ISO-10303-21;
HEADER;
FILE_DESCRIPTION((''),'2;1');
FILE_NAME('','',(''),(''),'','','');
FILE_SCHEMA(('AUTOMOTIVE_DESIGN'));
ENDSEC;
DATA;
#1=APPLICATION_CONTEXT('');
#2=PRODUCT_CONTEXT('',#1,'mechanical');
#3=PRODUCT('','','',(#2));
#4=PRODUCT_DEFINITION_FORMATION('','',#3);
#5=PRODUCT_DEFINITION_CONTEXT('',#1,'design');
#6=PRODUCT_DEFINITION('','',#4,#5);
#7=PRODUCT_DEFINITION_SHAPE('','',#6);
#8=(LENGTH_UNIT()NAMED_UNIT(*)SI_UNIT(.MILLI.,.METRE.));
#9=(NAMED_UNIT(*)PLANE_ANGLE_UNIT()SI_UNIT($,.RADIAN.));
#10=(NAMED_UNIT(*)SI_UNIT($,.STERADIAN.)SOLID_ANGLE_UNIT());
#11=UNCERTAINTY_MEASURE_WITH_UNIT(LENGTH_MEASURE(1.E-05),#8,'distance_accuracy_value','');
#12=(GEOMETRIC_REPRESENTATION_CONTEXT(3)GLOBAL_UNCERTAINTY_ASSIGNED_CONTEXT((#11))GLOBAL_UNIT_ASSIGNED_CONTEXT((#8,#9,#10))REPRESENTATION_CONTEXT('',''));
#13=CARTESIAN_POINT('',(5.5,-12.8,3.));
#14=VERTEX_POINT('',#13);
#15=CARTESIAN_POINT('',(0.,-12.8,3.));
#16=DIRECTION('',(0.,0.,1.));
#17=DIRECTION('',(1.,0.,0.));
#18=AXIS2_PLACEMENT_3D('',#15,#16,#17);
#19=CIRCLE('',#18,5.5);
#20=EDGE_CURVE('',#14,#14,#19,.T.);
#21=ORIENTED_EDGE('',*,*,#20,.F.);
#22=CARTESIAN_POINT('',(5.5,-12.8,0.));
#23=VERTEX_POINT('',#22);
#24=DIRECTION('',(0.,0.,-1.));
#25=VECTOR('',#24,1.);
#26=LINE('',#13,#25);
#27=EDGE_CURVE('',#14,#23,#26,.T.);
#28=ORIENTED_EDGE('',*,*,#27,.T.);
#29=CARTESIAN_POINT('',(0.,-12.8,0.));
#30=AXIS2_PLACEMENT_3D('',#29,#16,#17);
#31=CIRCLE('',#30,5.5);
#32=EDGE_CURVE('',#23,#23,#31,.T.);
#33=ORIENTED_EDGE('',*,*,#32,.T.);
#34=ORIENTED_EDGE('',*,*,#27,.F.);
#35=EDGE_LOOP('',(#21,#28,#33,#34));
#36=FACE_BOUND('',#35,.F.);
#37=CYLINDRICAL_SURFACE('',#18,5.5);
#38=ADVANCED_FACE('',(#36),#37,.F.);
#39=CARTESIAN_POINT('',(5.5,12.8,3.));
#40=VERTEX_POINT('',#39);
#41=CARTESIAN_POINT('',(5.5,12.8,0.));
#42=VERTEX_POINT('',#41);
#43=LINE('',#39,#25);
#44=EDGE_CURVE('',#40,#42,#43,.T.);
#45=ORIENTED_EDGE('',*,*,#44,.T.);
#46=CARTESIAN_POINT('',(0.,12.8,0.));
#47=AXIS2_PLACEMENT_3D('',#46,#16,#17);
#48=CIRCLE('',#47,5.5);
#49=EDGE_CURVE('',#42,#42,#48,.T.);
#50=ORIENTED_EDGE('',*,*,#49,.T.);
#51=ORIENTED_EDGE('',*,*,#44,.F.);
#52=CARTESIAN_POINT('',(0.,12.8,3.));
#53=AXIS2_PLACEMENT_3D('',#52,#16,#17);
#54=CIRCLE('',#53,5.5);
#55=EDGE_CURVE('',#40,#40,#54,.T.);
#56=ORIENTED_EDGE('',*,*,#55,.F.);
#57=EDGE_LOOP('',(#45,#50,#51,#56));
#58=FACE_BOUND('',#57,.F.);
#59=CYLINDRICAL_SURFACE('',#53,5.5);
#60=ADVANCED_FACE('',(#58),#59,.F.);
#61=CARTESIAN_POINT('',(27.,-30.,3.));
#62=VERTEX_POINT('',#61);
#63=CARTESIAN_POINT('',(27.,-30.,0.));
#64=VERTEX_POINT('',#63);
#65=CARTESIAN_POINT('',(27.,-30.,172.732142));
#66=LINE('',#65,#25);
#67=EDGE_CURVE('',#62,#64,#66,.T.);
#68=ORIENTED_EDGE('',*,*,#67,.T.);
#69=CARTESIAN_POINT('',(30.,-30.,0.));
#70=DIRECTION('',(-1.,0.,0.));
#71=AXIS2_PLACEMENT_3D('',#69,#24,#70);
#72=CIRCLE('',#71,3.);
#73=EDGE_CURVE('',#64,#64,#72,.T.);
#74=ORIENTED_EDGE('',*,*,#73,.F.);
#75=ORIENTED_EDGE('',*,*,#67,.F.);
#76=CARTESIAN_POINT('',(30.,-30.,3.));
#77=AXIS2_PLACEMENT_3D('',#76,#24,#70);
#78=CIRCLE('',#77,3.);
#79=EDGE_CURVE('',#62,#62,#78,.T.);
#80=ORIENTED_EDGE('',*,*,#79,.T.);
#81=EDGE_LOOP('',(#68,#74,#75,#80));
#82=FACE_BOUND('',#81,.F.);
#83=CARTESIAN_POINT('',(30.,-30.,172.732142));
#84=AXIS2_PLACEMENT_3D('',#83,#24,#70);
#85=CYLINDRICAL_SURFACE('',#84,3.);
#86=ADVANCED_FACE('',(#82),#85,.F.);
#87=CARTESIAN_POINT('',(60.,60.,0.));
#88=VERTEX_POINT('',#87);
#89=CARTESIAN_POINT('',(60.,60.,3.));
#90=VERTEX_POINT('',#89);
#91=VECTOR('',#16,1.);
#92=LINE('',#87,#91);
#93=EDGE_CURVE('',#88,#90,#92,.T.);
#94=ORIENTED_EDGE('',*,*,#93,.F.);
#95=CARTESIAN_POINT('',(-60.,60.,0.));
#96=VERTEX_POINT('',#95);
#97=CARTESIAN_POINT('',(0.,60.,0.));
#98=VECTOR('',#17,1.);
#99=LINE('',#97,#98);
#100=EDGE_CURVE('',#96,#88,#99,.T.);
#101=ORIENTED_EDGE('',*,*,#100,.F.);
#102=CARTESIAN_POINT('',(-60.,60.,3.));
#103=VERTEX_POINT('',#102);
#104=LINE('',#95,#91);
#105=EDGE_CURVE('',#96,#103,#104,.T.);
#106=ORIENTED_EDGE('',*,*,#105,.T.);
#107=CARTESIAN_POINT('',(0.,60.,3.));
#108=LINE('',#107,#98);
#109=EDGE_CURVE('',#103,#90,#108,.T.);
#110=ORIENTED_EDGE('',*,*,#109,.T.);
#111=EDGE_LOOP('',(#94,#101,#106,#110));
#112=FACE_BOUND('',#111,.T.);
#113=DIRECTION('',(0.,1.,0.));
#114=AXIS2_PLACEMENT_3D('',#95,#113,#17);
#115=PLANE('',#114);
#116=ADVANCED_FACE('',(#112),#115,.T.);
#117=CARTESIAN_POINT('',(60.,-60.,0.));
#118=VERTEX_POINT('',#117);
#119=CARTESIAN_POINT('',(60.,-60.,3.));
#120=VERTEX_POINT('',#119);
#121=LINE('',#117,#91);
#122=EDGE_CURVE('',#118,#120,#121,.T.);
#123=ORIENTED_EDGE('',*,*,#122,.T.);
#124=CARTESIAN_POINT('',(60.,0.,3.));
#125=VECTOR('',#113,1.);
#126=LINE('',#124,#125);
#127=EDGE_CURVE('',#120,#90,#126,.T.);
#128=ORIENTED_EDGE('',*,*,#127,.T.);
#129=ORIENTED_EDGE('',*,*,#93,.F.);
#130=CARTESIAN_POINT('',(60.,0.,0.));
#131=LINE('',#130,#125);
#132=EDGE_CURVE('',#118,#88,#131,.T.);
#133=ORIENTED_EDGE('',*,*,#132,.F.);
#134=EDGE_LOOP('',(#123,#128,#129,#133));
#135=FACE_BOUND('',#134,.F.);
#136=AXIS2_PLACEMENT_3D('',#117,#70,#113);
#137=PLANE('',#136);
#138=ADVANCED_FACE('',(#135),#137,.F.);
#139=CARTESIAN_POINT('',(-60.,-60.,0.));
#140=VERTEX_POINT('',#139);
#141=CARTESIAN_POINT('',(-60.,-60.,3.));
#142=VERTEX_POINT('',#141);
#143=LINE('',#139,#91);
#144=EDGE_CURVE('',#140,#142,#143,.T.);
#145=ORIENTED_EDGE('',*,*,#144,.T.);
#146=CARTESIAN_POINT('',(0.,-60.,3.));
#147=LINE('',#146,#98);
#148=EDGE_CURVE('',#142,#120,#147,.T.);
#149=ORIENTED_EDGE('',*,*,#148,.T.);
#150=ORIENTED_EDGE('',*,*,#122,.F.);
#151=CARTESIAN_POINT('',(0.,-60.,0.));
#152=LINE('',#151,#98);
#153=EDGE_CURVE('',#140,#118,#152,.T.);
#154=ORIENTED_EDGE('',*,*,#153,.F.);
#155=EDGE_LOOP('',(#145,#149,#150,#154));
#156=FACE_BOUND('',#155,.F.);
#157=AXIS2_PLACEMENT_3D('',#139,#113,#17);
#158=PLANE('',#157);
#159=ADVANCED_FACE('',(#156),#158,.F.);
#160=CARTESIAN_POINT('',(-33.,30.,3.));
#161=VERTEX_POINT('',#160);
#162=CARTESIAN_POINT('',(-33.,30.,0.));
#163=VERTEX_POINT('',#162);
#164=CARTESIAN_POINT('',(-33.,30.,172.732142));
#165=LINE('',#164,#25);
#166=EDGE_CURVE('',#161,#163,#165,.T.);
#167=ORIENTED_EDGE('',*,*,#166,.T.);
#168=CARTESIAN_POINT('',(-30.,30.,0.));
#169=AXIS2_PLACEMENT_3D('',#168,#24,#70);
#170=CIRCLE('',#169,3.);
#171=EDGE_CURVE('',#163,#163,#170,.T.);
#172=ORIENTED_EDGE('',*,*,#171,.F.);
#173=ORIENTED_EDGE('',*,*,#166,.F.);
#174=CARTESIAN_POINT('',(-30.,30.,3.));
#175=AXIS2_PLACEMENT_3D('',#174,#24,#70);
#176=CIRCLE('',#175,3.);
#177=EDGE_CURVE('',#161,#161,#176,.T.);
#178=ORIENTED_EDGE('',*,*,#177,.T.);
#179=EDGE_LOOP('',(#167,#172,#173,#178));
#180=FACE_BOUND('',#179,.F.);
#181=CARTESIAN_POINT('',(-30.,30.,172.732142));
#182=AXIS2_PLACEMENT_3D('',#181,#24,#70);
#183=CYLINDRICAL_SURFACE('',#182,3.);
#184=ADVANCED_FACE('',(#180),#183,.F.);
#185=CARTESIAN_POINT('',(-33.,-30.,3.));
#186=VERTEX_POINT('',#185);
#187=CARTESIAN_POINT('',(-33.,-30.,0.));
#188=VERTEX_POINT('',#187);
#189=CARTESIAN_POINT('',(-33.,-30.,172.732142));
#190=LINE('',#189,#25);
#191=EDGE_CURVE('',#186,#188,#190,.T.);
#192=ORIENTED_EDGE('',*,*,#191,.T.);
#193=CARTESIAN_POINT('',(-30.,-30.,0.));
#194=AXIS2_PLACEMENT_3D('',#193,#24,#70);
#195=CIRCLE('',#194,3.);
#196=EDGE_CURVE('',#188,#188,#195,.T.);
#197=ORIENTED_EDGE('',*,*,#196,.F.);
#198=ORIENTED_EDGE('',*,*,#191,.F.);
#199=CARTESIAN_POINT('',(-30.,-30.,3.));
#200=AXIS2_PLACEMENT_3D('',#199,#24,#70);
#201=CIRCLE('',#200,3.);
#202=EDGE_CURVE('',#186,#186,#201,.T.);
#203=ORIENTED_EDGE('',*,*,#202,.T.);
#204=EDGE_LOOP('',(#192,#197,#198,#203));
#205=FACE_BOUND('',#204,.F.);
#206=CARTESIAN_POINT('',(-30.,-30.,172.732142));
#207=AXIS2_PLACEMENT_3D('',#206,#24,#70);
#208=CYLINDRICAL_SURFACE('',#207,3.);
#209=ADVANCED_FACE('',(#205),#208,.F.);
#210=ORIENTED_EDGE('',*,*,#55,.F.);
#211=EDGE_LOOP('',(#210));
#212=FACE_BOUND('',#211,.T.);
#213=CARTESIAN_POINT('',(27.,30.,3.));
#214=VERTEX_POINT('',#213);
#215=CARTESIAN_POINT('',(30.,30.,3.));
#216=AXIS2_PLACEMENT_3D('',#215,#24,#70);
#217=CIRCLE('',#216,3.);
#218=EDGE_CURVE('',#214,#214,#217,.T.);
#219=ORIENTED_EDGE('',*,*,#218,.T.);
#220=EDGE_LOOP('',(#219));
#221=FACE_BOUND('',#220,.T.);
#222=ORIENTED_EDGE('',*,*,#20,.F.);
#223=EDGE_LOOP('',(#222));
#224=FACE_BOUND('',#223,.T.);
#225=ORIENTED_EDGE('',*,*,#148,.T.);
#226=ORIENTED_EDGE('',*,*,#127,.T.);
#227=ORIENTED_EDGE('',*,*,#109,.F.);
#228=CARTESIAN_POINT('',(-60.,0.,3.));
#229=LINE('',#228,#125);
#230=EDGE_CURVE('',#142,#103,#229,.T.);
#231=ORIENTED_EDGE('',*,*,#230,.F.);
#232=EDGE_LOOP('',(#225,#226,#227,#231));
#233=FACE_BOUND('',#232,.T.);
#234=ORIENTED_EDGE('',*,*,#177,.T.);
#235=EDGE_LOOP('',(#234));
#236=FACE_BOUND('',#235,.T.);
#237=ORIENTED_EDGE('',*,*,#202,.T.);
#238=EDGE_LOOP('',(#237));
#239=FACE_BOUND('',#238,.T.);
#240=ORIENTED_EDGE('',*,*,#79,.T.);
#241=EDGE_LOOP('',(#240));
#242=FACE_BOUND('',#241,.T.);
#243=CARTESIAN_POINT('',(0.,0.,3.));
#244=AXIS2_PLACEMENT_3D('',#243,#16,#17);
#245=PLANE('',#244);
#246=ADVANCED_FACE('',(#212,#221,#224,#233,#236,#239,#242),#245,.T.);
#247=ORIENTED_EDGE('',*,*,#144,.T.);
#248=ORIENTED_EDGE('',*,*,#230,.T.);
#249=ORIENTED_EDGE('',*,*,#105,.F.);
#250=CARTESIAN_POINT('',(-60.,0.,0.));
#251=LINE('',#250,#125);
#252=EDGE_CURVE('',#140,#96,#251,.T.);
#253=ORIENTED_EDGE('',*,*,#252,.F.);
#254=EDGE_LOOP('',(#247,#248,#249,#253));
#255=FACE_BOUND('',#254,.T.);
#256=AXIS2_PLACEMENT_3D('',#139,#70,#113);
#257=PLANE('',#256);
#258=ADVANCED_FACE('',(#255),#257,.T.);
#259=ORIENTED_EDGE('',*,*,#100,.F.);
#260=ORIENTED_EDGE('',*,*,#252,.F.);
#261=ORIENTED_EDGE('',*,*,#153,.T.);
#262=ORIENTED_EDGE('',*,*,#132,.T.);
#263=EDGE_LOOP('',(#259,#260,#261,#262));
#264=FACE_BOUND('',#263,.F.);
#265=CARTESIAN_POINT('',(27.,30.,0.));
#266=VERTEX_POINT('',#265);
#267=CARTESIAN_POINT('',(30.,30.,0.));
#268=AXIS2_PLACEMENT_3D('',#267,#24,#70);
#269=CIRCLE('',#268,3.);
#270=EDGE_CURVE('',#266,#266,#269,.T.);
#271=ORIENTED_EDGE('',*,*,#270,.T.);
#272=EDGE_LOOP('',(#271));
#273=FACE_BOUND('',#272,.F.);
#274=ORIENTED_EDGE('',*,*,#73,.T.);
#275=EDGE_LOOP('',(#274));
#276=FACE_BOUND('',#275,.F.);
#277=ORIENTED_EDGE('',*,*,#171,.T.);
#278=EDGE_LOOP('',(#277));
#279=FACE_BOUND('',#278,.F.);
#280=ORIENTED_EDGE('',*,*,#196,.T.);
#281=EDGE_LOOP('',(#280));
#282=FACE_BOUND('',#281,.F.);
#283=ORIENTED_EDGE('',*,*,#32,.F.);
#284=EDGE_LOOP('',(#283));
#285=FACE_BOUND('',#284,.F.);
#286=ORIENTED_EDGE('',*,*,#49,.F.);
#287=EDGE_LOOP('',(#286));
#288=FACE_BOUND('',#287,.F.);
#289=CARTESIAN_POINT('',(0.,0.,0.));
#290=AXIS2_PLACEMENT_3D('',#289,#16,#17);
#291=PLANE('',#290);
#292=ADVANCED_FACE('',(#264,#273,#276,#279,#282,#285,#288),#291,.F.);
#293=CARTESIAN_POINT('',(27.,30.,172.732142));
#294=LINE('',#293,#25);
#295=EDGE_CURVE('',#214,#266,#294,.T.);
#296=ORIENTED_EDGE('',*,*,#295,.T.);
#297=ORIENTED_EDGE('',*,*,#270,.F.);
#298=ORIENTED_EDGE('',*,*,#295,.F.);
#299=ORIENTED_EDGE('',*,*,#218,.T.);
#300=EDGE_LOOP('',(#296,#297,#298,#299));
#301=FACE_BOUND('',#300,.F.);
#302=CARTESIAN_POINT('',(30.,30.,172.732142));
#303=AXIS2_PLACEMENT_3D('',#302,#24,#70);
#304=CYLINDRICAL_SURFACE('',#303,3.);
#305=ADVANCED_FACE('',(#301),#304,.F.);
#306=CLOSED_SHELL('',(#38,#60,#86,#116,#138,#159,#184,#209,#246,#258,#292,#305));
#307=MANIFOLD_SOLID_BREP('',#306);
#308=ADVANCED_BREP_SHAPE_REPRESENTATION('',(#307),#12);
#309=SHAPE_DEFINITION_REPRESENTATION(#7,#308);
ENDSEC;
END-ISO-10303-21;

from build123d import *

# Parameters (mm, degrees)
F0_W     = 120
F0_H     = 120
F1_DEPTH = 3
F2_R     = 5.5
F3_DEPTH = 3.001
F5_D     = 6


with BuildPart() as f1:
    # F0 (on Top) → F1 (new body)
    with BuildSketch(Plane.XY):
        Rectangle(F0_W, F0_H)
    extrude(amount=F1_DEPTH)

    # F2 (on face) → F3 (cut, through all)
    with BuildSketch(Plane.XY.offset(3)):
        with Locations((0, 12.8)):
            Circle(F2_R)
        with Locations((0, -12.8)):
            Circle(F2_R)
    extrude(amount=-F3_DEPTH, mode=Mode.SUBTRACT)

    # F5 (through all)
    with Locations(Plane.XY.offset(3)):
        with Locations((-30, -30), (-30, 30), (30, 30), (30, -30)):
            Hole(F5_D / 2)


solid = f1.part
